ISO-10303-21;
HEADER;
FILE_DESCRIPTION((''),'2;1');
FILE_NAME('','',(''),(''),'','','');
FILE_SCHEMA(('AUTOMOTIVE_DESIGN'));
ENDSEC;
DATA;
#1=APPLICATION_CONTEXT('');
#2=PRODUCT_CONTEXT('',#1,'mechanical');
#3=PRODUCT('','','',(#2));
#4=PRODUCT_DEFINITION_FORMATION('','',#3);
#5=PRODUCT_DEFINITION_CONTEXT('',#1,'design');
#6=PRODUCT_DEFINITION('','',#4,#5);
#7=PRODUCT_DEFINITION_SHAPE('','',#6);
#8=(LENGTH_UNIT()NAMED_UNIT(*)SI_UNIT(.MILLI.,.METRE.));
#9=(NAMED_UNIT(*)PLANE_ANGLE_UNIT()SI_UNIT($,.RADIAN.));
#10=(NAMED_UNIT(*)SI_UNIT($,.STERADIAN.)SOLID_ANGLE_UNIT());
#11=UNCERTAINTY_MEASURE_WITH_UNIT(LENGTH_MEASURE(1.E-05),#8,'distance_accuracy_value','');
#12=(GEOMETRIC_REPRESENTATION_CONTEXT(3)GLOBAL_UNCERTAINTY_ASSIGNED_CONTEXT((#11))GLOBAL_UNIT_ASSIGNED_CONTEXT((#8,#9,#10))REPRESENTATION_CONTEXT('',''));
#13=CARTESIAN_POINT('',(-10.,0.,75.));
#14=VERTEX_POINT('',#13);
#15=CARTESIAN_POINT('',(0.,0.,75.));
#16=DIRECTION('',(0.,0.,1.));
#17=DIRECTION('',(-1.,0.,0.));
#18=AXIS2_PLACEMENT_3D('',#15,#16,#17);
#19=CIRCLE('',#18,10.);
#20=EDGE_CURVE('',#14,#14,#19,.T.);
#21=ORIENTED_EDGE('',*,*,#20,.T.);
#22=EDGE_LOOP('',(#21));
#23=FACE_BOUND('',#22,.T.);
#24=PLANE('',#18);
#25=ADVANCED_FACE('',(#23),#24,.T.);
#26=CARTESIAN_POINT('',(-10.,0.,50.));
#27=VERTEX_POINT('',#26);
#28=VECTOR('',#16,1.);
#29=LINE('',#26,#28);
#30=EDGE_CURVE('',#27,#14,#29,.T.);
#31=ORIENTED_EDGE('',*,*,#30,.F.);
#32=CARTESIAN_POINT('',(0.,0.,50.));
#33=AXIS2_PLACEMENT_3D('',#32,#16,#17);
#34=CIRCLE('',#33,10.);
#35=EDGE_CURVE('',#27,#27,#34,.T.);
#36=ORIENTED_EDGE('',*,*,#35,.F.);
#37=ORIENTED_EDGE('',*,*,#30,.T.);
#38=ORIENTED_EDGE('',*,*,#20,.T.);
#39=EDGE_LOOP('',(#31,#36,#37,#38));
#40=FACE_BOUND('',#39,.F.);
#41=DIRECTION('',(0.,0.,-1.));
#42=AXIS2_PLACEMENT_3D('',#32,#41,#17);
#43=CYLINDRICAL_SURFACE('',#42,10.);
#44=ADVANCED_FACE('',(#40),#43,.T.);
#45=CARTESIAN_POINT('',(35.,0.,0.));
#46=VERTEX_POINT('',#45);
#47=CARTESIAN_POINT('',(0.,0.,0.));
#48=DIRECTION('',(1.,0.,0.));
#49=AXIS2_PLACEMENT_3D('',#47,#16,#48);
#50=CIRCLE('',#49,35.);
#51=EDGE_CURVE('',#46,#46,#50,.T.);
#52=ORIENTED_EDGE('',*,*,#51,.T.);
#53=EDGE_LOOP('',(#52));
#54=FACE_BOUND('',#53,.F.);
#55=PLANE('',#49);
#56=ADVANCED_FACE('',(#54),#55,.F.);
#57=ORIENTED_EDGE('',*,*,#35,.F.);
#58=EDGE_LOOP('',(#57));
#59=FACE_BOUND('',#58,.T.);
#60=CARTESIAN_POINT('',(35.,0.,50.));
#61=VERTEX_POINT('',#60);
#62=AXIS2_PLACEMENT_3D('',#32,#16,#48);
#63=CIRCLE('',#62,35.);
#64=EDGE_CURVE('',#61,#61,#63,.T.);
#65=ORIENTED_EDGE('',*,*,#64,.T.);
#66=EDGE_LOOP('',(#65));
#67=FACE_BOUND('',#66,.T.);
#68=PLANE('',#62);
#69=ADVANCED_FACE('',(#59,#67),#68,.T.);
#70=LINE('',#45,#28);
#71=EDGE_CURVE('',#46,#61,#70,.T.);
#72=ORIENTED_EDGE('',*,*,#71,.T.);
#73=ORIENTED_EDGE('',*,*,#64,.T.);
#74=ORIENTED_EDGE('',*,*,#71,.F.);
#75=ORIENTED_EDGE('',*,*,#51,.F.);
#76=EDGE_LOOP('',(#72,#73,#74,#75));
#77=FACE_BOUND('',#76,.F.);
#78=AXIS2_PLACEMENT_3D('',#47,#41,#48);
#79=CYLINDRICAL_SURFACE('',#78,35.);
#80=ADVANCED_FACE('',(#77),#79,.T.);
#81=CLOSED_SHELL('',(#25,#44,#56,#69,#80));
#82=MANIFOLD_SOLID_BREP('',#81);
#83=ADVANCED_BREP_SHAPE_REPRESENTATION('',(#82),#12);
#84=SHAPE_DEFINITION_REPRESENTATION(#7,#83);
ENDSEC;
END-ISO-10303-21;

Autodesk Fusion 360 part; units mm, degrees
sketch "Sketch1" plane through (0, 0, 0) normal (0, 0, 1) x (1, 0, 0)
  circle A0 centre (0, 0) radius 35
  dimension "d1" = 70
extrude "Extrude1" add sketch "Sketch1" along normal blind 50
sketch "Sketch2" plane through (0, 0, 50) normal (0, 0, 1) x (-1, 0, 0)
  circle A0 centre (0, 0) radius 35
  circle A1 centre (0, 0) radius 10
  dimension "d4" = 20
extrude "Extrude2" add sketch "Sketch2" along normal blind 25 contours A1
